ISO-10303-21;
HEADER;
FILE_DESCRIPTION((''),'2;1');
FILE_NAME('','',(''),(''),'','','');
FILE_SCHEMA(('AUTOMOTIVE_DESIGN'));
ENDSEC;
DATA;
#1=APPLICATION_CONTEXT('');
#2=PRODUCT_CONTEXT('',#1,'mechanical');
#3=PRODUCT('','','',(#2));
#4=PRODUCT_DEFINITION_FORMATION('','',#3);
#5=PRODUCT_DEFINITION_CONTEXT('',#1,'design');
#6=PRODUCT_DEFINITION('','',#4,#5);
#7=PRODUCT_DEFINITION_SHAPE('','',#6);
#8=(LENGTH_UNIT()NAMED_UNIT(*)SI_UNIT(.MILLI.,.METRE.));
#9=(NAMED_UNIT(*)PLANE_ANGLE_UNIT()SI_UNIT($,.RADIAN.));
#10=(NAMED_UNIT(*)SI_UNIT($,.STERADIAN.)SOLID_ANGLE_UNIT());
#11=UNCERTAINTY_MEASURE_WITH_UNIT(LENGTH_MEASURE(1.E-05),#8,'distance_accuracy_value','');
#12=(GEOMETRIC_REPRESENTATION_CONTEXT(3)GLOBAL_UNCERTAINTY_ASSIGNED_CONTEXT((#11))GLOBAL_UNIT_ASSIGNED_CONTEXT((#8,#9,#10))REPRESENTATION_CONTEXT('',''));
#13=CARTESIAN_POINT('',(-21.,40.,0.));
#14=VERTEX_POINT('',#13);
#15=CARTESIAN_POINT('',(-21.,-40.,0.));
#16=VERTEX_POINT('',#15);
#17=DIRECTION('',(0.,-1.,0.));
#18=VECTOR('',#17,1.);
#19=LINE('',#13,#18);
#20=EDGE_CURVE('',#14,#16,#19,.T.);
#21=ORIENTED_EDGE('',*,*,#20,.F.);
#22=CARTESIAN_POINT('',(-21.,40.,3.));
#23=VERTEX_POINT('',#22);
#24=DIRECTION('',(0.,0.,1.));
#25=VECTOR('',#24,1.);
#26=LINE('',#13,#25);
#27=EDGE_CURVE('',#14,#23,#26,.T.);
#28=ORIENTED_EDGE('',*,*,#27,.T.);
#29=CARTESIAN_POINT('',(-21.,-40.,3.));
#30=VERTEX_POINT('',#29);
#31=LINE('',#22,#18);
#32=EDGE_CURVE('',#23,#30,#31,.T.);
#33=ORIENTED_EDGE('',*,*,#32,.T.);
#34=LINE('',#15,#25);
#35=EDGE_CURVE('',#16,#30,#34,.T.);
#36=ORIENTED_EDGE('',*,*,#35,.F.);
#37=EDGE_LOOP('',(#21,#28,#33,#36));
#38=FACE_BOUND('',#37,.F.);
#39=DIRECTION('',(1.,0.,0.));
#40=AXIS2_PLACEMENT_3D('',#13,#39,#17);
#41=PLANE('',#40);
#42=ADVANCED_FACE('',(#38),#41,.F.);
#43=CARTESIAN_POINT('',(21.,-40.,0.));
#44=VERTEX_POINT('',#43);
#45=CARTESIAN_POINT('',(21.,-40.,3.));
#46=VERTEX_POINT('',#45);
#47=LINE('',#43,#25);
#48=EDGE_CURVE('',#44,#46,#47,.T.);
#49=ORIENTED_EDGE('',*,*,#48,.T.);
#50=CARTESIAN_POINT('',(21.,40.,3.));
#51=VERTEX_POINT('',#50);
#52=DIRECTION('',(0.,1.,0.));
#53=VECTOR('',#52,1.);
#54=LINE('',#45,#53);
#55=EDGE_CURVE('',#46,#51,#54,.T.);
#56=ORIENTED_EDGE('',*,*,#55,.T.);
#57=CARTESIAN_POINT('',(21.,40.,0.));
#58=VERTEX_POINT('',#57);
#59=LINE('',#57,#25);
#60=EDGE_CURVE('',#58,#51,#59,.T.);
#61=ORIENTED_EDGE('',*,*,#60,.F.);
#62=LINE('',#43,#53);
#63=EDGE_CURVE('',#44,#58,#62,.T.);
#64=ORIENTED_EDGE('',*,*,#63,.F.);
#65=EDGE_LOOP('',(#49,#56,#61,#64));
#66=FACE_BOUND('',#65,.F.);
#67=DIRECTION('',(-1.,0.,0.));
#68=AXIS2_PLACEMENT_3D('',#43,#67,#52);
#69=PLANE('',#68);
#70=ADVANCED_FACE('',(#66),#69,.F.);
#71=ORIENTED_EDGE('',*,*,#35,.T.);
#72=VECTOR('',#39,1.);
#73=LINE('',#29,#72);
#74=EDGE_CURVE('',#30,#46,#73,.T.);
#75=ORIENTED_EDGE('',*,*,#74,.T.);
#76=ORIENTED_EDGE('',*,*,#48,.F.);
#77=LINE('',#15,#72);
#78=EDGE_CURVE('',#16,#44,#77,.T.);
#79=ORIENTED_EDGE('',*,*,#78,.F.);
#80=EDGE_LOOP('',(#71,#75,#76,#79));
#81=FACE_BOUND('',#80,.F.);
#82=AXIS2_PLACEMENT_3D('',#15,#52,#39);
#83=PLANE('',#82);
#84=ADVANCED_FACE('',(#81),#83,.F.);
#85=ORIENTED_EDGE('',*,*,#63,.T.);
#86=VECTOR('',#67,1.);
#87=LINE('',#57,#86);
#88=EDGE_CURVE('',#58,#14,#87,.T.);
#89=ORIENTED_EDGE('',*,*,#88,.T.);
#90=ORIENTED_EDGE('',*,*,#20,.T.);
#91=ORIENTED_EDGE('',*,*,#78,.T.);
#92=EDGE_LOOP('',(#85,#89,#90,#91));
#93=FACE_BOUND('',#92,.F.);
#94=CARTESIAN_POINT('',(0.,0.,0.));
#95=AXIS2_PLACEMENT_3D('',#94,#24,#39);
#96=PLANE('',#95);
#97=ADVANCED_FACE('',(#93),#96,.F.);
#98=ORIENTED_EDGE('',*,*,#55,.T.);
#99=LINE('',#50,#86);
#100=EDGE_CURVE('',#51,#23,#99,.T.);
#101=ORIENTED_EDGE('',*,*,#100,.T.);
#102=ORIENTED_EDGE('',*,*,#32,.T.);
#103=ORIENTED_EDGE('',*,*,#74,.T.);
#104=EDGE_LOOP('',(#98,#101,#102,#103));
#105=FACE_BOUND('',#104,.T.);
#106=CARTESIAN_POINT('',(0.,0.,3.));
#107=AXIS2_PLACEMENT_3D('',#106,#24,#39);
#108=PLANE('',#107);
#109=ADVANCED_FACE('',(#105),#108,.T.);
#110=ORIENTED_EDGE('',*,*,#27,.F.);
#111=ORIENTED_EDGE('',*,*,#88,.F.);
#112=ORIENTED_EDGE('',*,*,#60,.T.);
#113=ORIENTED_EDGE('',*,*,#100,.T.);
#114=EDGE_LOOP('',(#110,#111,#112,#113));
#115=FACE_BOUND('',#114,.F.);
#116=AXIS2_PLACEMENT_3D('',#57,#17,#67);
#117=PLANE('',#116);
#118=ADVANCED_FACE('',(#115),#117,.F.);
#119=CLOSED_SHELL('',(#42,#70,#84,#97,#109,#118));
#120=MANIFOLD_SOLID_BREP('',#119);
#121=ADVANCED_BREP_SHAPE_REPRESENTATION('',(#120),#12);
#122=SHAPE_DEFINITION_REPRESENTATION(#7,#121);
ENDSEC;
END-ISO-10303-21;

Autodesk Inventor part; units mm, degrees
ref_plane "YZ Plane" through (0, 0, 0) normal (1, 0, 0) x (0, 1, 0)
ref_plane "XZ Plane" through (0, 0, 0) normal (0, 1, 0) x (-1, 0, 0)
ref_plane "XY Plane" through (0, 0, 0) normal (0, 0, 1) x (1, 0, 0)
sketch "Sketch2" plane through (0, 0, 0) normal (0, 0, 1) x (1, 0, 0)
  line L0 (-21, -40) -> (21, -40)
  line L1 (21, -40) -> (21, 40)
  line L2 (21, 40) -> (-21, 40)
  line L3 (-21, 40) -> (-21, -40)
  line L4 (-21, -40) -> (21, 40) construction
  line L5 (21, -40) -> (-21, 40) construction
  point P0 (0, 0)
  dimension "d2" = 42
  dimension "d3" = 80
extrude "Extrusion2" add sketch "Sketch2" along normal blind 3
properties part number "rapoukBottomPlexiv0"
